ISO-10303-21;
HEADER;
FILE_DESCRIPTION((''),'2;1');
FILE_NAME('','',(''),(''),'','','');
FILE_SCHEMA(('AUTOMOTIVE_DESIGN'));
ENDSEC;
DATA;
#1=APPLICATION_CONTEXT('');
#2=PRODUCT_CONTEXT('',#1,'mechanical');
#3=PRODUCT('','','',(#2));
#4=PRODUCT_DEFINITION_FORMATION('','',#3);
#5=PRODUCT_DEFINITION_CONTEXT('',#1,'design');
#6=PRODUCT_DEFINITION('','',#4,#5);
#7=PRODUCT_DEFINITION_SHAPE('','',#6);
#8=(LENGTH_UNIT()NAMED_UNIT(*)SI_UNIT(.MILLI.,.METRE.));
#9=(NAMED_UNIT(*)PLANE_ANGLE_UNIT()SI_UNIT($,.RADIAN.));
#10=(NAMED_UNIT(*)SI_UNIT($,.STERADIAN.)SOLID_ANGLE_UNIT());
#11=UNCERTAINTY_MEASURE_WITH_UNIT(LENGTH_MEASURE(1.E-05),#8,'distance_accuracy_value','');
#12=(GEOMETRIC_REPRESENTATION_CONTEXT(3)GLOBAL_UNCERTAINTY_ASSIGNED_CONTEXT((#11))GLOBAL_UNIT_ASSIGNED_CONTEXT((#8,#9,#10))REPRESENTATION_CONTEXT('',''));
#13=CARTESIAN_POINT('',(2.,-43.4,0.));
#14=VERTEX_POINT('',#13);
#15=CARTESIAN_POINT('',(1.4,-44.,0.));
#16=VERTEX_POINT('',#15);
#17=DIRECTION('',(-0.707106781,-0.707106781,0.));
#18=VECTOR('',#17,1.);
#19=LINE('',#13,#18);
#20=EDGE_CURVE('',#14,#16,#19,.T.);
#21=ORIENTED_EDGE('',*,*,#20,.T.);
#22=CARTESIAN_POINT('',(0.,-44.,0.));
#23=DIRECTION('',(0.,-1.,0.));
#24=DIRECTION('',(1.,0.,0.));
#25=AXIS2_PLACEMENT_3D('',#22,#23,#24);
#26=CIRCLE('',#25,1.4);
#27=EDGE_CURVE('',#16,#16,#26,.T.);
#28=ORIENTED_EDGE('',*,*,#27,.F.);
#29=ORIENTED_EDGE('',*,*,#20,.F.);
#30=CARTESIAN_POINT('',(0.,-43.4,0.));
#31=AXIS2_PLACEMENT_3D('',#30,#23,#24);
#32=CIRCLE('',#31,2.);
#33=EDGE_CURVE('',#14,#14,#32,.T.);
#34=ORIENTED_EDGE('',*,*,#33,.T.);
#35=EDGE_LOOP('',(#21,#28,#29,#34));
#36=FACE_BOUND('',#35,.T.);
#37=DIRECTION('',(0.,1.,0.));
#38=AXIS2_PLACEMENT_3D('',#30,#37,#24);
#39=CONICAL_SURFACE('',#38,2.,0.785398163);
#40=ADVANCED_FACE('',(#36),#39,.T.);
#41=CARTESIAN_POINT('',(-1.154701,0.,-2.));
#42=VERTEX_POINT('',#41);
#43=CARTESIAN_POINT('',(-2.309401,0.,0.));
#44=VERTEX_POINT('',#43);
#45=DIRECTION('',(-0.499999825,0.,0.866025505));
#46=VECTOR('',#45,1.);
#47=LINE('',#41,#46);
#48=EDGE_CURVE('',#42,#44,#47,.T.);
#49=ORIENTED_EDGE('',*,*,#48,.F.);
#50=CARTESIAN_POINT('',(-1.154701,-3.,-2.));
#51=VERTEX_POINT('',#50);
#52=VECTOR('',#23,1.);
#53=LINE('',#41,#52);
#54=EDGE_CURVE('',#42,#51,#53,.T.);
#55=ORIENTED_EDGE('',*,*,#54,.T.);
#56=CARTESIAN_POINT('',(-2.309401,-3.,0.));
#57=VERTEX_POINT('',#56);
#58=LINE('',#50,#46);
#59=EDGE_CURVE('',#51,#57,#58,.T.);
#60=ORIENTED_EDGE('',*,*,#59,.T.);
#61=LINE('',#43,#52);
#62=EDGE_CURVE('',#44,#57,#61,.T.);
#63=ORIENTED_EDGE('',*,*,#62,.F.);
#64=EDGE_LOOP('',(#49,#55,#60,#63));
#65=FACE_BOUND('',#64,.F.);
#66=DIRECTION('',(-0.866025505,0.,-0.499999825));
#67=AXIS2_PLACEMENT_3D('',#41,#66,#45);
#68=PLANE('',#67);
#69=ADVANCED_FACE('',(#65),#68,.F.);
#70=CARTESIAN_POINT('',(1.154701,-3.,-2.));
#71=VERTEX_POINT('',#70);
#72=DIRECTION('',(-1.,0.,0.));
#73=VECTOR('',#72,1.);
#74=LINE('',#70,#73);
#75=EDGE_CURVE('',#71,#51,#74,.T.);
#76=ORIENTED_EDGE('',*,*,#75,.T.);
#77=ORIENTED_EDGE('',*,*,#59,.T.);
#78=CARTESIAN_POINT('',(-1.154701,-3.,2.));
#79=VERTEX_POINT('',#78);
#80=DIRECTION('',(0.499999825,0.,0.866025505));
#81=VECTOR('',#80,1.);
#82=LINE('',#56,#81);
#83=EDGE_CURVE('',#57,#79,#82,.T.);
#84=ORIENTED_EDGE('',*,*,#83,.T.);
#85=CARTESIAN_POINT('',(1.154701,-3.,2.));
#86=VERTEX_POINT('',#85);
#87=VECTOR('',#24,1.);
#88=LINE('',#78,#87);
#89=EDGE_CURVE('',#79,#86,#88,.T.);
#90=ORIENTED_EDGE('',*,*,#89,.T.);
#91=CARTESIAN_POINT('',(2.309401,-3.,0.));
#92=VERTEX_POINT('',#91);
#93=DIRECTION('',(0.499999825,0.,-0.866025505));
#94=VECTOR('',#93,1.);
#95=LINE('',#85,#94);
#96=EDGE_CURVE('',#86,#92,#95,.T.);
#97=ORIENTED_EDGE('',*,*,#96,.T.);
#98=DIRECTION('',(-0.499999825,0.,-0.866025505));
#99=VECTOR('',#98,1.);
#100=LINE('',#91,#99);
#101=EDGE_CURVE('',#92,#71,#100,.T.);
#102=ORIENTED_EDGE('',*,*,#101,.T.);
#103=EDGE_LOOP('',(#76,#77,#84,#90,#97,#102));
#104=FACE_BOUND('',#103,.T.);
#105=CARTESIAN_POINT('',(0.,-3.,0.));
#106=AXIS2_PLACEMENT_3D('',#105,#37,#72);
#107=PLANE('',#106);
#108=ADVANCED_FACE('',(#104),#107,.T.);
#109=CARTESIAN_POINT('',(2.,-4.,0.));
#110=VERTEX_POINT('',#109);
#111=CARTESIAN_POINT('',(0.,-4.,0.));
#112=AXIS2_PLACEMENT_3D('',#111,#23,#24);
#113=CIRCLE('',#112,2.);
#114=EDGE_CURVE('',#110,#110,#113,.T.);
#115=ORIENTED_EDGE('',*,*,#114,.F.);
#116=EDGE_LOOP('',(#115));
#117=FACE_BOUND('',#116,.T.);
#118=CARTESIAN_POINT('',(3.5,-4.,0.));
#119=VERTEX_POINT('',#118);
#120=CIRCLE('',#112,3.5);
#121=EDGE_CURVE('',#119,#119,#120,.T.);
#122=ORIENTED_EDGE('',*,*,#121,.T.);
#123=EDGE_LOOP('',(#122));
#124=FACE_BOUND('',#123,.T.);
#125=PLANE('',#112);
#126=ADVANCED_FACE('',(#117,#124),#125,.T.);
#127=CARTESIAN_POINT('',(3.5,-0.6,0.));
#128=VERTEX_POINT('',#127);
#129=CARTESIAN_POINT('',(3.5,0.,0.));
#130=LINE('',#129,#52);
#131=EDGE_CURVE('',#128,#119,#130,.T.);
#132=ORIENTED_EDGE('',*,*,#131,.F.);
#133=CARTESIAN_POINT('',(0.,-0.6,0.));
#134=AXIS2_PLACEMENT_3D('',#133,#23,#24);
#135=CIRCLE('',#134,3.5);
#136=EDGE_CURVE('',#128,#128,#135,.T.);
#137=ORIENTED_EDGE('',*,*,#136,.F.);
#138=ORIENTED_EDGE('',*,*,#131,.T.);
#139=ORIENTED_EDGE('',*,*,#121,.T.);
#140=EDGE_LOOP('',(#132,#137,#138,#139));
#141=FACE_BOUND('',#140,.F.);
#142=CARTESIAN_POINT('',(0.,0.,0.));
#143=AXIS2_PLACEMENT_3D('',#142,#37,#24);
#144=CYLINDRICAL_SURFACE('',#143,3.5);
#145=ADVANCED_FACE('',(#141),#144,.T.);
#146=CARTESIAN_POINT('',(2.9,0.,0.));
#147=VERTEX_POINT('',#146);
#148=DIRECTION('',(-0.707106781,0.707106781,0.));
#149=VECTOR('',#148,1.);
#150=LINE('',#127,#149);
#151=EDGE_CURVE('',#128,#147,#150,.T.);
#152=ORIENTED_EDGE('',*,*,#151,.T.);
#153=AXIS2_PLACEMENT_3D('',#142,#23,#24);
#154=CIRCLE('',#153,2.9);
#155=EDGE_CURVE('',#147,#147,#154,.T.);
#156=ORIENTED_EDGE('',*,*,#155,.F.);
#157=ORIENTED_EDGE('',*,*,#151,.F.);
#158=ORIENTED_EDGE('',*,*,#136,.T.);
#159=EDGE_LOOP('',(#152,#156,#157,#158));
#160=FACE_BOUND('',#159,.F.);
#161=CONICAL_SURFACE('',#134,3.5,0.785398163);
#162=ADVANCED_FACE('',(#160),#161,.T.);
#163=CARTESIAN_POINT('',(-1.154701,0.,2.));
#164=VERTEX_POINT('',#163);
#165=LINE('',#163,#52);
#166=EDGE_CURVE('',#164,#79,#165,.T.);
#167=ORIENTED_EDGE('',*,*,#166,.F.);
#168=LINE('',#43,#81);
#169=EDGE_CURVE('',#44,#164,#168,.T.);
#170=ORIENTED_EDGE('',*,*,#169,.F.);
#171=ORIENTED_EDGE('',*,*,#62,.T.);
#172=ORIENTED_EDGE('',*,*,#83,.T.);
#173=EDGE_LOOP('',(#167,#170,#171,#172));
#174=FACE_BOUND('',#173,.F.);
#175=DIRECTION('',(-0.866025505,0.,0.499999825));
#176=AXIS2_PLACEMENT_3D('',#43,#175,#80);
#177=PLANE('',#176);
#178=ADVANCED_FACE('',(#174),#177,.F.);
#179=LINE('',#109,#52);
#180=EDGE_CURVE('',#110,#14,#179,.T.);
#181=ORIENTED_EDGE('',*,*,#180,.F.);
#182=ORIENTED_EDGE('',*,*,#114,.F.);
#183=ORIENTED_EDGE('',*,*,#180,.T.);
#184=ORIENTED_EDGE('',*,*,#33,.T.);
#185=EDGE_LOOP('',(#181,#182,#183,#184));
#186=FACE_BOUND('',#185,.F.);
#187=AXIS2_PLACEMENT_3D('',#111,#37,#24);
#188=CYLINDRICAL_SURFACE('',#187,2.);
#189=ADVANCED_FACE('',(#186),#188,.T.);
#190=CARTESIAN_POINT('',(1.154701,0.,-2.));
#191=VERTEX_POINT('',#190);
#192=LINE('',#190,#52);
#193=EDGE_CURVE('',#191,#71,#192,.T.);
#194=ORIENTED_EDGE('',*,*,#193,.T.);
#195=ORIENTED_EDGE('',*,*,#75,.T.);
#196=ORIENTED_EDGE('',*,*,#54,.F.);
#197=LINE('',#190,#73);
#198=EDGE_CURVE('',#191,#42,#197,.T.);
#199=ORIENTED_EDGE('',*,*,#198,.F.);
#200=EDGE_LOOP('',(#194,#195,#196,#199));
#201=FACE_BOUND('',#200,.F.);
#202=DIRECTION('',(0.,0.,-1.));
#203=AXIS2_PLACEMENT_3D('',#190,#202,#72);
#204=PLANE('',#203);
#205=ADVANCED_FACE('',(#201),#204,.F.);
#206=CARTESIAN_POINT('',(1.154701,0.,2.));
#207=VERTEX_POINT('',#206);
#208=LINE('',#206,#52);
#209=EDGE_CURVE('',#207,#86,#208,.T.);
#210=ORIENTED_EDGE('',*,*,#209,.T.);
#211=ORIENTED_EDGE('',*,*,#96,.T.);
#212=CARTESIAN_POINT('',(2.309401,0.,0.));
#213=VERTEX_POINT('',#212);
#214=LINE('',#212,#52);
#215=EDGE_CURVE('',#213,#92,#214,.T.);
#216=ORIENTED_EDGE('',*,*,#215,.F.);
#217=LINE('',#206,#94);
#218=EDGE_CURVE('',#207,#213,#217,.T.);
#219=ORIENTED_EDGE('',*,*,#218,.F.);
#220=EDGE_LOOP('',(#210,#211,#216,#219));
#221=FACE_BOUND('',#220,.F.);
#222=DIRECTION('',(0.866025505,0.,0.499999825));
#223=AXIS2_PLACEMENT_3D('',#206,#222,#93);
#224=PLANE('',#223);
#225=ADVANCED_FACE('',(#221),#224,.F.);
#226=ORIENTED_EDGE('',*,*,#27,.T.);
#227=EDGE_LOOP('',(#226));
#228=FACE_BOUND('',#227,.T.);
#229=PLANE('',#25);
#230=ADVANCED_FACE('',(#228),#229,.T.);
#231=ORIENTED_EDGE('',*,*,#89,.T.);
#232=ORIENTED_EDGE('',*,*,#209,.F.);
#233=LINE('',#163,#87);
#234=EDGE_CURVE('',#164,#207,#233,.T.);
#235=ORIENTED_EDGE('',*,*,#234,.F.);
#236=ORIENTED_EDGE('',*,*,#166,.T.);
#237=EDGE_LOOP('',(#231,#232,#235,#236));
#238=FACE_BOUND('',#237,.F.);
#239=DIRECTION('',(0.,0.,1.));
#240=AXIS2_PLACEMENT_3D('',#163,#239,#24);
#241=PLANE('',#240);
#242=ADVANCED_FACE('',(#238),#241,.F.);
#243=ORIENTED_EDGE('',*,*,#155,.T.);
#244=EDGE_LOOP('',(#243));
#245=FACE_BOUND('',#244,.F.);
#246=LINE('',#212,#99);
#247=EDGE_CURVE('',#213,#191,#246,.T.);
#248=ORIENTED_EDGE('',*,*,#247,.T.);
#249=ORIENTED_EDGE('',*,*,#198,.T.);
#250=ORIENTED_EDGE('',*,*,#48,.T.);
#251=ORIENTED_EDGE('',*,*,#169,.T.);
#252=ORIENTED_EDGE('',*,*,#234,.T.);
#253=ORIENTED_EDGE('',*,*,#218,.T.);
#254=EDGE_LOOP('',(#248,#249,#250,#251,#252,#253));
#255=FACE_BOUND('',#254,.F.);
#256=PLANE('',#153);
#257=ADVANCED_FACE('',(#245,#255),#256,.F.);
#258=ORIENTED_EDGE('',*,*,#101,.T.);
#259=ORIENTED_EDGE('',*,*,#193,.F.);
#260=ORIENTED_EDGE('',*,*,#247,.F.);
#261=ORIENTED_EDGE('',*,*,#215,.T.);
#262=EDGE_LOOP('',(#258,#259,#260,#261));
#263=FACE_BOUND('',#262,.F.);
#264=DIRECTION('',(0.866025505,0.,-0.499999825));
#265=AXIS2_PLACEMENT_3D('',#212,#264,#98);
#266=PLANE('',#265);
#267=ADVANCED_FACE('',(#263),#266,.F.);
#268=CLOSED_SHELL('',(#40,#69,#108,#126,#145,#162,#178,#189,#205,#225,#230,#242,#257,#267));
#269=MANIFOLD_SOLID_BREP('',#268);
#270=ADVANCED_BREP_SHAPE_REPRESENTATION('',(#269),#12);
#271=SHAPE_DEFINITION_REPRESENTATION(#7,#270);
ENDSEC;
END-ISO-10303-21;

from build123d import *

# Parameters (mm, degrees)
F0_R     = 3.5
F1_DEPTH = 4
F2_R     = 2
F3_DEPTH = 40
F5_DEPTH = 3
F6_SIZE  = 0.6


with BuildPart() as f1:
    # F0 (on Front) → F1 (new body)
    with BuildSketch(Plane.XZ):
        Circle(F0_R)
    extrude(amount=F1_DEPTH)

    # F2 (on face) → F3 (join)
    with BuildSketch(Plane.XZ.offset(4)):
        Circle(F2_R)
    extrude(amount=F3_DEPTH)

    # F4 (on face) → F5 (cut)
    with BuildSketch(Plane(origin=(0, 0, 0), x_dir=(-1, 0, 0), z_dir=(0, 1, 0))):
        Polygon((1.154701, 2), (-1.154701, 2), (-2.309401, 0), (-1.154701, -2), (1.154701, -2), (2.309401, 0), align=None)
    extrude(amount=-F5_DEPTH, mode=Mode.SUBTRACT)

    # F6
    f6_edges = [f1.edges().sort_by_distance(p)[0] for p in [
        (-3.5, 0, 0),
        (-2, -44, 0),
    ]]
    chamfer(f6_edges, length=F6_SIZE)


solid = f1.part
